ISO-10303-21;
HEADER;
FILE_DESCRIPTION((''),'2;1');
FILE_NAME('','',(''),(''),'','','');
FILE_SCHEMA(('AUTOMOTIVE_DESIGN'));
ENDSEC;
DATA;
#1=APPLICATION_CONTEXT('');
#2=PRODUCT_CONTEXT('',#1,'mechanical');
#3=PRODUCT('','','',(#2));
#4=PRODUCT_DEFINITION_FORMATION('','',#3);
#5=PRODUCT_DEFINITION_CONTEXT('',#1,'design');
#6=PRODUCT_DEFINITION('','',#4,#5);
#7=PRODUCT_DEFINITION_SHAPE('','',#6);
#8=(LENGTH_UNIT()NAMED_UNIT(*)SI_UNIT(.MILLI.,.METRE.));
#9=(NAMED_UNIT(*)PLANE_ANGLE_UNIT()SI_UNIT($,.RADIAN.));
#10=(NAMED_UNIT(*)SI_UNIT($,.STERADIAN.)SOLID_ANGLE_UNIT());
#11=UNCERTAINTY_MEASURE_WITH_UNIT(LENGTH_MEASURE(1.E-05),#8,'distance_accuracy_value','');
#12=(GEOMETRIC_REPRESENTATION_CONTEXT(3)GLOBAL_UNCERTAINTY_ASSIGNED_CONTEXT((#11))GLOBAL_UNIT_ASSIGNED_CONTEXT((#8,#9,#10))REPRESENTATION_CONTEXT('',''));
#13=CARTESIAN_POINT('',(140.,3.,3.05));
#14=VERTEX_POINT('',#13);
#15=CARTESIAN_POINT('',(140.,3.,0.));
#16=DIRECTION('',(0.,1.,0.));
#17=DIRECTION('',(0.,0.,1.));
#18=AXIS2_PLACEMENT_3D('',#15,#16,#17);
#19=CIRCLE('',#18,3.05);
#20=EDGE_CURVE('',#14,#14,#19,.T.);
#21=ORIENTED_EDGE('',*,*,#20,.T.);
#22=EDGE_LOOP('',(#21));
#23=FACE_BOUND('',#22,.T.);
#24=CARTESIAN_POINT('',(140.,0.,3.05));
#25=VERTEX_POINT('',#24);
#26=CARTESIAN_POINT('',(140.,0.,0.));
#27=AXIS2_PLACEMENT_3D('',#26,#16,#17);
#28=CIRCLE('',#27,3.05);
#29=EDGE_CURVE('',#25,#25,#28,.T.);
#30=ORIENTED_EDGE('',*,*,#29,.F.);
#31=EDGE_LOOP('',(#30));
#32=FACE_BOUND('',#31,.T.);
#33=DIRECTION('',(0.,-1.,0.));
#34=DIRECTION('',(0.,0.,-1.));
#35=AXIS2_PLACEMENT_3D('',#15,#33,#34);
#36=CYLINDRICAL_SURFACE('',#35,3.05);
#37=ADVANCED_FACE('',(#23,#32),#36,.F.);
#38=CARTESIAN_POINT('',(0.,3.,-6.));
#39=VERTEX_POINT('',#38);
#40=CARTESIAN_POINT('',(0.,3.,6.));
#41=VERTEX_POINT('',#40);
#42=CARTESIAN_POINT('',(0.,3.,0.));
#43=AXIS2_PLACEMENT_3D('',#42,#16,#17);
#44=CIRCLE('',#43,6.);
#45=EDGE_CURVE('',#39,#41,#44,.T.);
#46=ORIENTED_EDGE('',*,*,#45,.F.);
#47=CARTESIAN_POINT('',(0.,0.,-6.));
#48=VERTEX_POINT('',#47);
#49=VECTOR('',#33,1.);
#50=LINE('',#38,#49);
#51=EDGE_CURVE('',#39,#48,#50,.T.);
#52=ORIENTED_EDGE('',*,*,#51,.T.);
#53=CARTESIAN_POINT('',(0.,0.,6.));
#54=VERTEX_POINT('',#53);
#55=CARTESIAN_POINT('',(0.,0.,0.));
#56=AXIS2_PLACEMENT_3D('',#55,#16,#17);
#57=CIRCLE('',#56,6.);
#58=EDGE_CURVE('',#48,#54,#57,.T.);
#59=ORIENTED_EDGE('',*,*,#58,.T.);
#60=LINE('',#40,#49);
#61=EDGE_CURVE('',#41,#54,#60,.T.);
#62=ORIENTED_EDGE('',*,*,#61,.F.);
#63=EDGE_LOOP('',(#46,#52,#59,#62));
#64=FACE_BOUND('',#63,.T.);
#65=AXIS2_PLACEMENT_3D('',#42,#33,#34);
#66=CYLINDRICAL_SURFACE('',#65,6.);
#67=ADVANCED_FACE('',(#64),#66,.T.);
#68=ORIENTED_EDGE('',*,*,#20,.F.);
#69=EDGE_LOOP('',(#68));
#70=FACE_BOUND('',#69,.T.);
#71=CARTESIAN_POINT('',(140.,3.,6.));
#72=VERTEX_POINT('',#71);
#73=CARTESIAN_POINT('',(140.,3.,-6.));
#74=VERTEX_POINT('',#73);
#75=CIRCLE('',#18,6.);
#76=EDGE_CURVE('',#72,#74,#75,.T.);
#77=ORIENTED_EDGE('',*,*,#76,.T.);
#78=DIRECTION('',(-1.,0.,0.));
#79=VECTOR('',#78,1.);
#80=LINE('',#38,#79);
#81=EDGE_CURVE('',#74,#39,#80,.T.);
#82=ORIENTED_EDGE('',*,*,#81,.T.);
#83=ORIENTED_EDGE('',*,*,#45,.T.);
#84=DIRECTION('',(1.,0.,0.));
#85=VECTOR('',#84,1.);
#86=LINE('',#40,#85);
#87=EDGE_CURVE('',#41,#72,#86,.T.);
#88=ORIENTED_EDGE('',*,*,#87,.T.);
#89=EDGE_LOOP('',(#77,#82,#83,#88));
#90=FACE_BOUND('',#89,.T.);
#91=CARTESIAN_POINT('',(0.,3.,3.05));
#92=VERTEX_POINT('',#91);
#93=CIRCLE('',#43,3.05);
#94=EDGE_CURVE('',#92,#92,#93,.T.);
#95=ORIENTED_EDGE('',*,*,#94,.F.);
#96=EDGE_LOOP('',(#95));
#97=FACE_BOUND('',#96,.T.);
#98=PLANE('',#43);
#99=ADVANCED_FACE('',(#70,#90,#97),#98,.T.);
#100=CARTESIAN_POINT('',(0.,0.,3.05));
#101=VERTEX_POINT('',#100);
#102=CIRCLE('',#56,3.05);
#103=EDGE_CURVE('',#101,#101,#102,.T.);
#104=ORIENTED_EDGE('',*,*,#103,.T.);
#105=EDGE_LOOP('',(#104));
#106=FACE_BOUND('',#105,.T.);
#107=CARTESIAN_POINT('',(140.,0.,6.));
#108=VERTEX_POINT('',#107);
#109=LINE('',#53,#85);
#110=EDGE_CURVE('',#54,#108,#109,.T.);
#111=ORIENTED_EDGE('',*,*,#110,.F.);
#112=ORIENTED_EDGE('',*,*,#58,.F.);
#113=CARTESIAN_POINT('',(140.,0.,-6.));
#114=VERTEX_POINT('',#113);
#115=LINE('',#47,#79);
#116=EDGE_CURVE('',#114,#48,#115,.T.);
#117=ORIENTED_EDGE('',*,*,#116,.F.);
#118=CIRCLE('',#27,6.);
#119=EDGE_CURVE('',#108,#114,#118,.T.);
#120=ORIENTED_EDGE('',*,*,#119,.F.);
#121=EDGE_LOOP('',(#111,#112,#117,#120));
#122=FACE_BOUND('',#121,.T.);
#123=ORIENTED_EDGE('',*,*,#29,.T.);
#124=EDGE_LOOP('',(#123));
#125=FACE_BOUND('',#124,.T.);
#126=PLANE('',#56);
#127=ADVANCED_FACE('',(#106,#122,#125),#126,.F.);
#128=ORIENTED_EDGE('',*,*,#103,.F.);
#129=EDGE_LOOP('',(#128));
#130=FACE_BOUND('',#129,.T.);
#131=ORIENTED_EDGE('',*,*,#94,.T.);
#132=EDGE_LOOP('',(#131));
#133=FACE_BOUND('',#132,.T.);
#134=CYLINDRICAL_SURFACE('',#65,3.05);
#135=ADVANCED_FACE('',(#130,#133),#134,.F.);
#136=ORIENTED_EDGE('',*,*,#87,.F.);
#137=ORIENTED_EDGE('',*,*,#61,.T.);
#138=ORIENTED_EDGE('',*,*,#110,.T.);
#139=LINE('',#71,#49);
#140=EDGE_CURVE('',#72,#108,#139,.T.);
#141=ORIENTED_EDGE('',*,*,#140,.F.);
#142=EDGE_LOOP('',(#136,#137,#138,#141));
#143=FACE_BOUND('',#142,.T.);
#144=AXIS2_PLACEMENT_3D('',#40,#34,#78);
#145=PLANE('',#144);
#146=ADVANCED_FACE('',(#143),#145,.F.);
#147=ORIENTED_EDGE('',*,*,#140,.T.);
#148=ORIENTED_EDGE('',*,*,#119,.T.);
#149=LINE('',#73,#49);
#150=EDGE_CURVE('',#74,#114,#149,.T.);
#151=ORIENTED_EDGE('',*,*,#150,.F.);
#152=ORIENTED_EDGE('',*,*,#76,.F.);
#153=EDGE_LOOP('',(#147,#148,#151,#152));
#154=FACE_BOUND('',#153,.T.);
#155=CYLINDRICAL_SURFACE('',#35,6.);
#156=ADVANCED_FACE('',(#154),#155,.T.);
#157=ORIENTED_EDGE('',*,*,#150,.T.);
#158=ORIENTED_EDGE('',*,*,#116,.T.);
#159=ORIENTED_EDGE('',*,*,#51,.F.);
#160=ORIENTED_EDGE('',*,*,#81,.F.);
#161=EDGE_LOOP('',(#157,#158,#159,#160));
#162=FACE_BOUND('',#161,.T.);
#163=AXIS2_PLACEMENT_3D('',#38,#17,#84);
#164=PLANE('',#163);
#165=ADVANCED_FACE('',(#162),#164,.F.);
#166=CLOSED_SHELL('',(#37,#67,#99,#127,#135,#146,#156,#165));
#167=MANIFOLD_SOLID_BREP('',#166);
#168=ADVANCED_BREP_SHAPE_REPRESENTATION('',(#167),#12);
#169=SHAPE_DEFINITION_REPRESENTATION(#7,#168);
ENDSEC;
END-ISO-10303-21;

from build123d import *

# Parameters (mm, degrees)
SKETCH1_R           = 3.05
BOSS_EXTRUDE1_DEPTH = 3


with BuildPart() as part:
    # Sketch1 → Boss-Extrude1 (new body)
    with BuildSketch(Plane(origin=(0, 0, 0), x_dir=(1, 0, 0), z_dir=(0, 1, 0))):
        with BuildLine():
            Line((0, 6), (140, 6))
            ThreePointArc((140, 6), (146, 0), (140, -6))
            Line((140, -6), (0, -6))
            ThreePointArc((0, -6), (-6, 0), (0, 6))
        make_face()
        with Locations(Location((0, 0, 0), (0, 0, 270))):
            Circle(SKETCH1_R, mode=Mode.SUBTRACT)
        with Locations(Location((140, 0, 0), (0, 0, 270))):
            Circle(SKETCH1_R, mode=Mode.SUBTRACT)
    extrude(amount=BOSS_EXTRUDE1_DEPTH)


solid = part.part
